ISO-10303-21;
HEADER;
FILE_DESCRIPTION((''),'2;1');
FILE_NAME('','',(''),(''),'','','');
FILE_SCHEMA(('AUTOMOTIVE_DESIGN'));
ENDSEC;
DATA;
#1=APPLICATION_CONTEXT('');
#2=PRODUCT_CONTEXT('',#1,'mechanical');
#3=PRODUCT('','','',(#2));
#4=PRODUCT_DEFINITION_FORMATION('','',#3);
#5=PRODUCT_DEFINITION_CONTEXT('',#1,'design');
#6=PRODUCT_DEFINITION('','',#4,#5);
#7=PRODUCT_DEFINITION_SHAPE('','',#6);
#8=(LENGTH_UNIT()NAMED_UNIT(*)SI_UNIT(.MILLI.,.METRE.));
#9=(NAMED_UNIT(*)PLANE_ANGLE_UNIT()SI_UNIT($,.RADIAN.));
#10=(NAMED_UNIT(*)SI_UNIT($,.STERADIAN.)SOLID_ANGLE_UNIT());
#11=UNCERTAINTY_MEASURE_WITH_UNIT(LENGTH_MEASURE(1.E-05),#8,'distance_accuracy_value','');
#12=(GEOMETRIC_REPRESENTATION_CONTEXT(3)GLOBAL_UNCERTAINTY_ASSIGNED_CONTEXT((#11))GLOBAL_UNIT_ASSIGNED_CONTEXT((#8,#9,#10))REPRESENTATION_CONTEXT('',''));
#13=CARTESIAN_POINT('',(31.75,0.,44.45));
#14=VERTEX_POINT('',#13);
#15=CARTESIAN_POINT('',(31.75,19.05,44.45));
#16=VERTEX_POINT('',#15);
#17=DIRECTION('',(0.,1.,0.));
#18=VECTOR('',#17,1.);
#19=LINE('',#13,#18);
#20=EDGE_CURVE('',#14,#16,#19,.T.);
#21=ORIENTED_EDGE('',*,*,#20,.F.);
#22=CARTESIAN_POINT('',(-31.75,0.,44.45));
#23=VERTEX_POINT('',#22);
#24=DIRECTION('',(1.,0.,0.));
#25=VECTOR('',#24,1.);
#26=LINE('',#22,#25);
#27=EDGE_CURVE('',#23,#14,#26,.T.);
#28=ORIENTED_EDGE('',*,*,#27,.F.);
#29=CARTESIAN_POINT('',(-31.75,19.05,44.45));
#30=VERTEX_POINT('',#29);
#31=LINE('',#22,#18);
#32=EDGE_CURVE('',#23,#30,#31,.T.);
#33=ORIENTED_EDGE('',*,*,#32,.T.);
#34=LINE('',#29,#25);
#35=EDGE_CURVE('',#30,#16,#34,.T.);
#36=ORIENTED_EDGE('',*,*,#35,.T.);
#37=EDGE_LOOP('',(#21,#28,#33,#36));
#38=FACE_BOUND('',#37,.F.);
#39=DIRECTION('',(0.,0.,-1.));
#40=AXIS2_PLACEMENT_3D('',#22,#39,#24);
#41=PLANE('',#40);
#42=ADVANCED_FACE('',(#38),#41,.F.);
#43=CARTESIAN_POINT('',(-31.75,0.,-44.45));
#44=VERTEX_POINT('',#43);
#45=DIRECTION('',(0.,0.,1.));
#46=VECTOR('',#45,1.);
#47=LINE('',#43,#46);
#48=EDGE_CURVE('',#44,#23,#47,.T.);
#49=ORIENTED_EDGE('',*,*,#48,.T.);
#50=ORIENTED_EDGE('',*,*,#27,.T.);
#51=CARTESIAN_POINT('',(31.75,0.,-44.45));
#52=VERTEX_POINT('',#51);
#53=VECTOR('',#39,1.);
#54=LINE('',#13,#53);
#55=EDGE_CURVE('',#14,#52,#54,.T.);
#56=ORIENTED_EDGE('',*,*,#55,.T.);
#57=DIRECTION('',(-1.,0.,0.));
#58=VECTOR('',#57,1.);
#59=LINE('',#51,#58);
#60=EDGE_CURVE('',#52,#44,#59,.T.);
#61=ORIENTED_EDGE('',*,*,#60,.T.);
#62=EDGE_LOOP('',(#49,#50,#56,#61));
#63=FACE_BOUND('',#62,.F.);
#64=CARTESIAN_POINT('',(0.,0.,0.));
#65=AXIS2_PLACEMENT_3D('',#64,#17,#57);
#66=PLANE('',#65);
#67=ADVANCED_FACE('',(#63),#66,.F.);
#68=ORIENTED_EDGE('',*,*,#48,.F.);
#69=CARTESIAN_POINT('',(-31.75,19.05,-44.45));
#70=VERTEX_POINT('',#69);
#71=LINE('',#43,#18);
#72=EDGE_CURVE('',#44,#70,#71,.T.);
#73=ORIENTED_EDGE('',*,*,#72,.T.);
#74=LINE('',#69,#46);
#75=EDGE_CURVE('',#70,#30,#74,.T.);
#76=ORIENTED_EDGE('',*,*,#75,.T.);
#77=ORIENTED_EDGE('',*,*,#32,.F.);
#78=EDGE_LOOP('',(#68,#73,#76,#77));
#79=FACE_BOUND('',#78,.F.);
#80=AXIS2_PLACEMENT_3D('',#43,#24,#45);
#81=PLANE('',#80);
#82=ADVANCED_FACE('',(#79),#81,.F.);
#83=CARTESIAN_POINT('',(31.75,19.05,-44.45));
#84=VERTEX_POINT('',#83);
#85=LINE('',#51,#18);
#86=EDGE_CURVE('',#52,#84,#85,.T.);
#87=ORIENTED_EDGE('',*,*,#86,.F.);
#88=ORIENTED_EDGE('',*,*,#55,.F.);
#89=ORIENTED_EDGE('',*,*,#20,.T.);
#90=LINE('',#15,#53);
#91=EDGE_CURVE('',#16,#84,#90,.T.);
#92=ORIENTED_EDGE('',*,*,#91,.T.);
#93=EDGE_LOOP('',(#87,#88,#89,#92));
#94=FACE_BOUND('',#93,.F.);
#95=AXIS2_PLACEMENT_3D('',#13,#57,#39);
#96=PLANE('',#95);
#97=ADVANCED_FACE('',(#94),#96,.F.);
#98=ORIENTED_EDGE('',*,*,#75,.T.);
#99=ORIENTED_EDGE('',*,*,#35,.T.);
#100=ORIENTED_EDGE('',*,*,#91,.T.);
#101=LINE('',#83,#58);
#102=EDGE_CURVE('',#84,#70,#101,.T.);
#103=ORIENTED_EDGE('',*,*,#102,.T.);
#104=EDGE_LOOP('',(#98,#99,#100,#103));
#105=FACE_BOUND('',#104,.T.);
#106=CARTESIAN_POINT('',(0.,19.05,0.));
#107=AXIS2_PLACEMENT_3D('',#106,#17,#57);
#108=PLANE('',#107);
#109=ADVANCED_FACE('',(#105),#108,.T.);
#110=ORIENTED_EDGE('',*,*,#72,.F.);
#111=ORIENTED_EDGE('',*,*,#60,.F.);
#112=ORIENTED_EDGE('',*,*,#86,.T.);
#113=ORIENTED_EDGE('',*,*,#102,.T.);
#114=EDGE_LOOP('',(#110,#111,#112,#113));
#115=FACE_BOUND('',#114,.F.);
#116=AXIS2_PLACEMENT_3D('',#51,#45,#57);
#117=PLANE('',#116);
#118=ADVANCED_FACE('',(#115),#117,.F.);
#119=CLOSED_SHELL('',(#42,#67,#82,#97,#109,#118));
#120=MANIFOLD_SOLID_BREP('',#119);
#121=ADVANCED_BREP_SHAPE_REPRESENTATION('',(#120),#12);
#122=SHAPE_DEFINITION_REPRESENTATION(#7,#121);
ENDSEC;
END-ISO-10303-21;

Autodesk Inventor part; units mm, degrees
ref_plane "YZ Plane" through (0, 0, 0) normal (1, 0, 0) x (0, 1, 0)
ref_plane "XZ Plane" through (0, 0, 0) normal (0, 1, 0) x (-1, 0, 0)
ref_plane "XY Plane" through (0, 0, 0) normal (0, 0, 1) x (1, 0, 0)
sketch "Sketch1" plane through (0, 0, 0) normal (0, 1, 0) x (-1, 0, 0)
  line L0 (31.75, 44.45) -> (-31.75, 44.45)
  line L1 (-31.75, 44.45) -> (-31.75, -44.45)
  line L2 (-31.75, -44.45) -> (31.75, -44.45)
  line L3 (31.75, -44.45) -> (31.75, 44.45)
  line L4 (31.75, 44.45) -> (-31.75, -44.45) construction
  line L5 (-31.75, 44.45) -> (31.75, -44.45) construction
  point P0 (0, 0)
  dimension "d0" = 63.5
  dimension "d1" = 88.9
extrude "Extrusion1" add sketch "Sketch1" along normal blind 19.05
equation "\"d0\" = cardDeckWidth"
equation "\"d1\" = cardDeckLength"
equation "\"d2\" = cardDeckDepth"
equation "\"cardDeckWidth\" = 63.5"
equation "\"cardDeckLength\" = 88.9"
equation "\"cardDeckDepth\" = 19.05"
properties part number "CardDeck" material "ABS Plastic"
